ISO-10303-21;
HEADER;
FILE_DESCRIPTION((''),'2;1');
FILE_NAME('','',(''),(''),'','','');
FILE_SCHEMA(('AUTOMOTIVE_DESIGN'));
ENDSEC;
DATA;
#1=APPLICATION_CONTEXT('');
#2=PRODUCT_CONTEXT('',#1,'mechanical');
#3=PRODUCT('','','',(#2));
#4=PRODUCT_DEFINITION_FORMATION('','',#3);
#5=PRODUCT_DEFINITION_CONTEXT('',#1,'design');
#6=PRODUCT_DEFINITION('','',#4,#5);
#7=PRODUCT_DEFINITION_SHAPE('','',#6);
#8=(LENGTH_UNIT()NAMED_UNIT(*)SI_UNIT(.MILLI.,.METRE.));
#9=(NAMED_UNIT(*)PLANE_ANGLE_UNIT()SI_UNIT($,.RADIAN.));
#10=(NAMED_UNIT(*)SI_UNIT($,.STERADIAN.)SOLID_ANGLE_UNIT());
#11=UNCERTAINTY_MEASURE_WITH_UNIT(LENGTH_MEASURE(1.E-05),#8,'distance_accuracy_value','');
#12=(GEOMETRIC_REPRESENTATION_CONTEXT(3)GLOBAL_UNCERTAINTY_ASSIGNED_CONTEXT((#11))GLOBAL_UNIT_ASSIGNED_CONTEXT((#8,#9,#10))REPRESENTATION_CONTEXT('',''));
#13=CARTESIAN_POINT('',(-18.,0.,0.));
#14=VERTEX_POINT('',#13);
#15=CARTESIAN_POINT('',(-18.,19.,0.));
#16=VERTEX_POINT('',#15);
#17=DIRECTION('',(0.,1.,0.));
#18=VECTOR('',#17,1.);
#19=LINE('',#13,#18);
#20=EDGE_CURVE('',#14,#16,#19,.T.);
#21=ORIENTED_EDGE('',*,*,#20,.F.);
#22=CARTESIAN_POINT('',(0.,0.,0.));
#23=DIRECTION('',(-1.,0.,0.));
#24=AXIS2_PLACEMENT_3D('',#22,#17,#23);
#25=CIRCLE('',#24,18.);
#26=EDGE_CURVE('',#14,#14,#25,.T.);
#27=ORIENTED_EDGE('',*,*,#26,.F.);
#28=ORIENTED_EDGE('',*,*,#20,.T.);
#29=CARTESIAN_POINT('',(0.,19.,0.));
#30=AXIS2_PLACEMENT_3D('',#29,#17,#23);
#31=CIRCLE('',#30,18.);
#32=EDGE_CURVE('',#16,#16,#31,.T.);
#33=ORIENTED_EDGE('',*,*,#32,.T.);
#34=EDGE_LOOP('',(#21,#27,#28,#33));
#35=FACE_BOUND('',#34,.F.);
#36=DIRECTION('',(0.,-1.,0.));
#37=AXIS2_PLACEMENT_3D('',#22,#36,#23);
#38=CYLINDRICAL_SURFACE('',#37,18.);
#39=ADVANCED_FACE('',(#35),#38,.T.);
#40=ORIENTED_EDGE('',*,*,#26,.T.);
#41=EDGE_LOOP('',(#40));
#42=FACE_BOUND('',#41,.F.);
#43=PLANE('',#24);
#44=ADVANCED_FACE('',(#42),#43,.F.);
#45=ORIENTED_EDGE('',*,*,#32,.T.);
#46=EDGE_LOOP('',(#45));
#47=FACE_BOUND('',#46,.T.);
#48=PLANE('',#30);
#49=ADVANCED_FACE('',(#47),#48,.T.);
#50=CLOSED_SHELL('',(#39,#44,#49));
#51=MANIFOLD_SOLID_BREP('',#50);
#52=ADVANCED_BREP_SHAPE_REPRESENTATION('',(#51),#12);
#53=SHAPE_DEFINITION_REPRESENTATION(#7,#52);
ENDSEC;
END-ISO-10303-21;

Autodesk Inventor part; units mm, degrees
ref_plane "YZ Plane" through (0, 0, 0) normal (1, 0, 0) x (0, 1, 0)
ref_plane "XZ Plane" through (0, 0, 0) normal (0, 1, 0) x (-1, 0, 0)
ref_plane "XY Plane" through (0, 0, 0) normal (0, 0, 1) x (1, 0, 0)
sketch "Boceto3" plane through (0, 0, 0) normal (0, 1, 0) x (-1, 0, 0)
  circle A0 centre (0, 0) radius 18
extrude "Extrusión1" add sketch "Boceto3" along normal blind 19
equation "\"Radio_pliegue\" = Grosor"
equation "\"Anchura_desahogo_plegado\" = Grosor"
equation "\"Profundidad_desahogo_plegado\" = 0.5 * Grosor"
equation "\"Tamaño_destalonado\" = 4 * Grosor"
equation "\"Remanente_mínimo\" = 2 * Grosor"
equation "\"Radiodetransición\" = Radio_pliegue"
equation "\"Tamaño_de_radio_de_Jacobi\" = Radio_pliegue"
equation "\"TamañoSeparación\" = Grosor"
equation "\"Grosor\" = 0.5"
properties part number "rueda ql fea"
